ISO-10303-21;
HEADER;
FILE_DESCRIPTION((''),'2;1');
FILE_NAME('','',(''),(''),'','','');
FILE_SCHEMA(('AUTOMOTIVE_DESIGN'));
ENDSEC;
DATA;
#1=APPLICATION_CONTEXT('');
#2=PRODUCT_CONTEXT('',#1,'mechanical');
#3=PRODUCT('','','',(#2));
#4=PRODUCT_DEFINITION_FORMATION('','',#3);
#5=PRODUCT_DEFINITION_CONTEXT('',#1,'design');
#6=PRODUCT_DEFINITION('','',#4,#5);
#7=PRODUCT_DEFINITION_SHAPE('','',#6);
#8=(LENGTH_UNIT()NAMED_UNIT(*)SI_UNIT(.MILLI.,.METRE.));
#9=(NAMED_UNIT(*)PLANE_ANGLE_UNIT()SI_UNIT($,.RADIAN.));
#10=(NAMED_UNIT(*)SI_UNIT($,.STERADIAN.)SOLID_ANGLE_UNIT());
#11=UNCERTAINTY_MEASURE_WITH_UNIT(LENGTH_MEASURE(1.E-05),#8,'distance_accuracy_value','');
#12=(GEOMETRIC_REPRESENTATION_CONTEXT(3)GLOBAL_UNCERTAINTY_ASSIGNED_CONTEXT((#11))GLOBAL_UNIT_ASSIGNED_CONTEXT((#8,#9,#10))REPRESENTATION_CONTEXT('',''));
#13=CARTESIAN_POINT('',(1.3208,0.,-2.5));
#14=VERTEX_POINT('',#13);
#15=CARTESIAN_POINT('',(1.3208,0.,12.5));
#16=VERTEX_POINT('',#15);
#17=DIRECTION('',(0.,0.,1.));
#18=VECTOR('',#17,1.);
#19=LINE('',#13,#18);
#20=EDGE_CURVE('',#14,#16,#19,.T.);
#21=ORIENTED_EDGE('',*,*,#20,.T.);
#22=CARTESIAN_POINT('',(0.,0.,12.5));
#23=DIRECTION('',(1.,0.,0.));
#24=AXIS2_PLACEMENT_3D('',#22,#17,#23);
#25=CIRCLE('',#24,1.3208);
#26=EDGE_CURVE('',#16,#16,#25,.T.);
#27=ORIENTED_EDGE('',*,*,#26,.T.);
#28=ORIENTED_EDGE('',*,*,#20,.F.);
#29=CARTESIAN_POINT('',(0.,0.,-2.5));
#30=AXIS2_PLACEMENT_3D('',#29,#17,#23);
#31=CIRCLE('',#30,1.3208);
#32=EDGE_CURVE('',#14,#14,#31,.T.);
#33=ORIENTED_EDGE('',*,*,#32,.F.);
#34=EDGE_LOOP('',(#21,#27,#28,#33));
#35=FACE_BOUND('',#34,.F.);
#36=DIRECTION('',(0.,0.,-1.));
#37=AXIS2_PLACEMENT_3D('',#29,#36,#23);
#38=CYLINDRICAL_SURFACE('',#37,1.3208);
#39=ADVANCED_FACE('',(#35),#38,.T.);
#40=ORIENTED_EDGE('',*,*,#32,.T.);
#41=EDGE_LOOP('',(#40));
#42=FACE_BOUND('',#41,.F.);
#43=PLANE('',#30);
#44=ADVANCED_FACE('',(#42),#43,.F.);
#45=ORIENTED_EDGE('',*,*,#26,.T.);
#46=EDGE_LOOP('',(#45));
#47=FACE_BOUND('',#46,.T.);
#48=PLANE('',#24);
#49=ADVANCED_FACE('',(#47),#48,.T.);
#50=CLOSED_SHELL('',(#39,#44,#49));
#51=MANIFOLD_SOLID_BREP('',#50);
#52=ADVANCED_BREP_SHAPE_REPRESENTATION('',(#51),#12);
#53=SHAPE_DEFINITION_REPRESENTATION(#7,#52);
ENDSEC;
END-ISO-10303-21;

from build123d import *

# Parameters (mm, degrees)
CYLINDER_R     = 1.3208
CYLINDER_DEPTH = 15


with BuildPart() as part:
    # Cylinder → Cylinder (new body)
    with BuildSketch(Plane.XY.offset(-2.5)):
        Circle(CYLINDER_R)
    extrude(amount=CYLINDER_DEPTH)


solid = part.part
